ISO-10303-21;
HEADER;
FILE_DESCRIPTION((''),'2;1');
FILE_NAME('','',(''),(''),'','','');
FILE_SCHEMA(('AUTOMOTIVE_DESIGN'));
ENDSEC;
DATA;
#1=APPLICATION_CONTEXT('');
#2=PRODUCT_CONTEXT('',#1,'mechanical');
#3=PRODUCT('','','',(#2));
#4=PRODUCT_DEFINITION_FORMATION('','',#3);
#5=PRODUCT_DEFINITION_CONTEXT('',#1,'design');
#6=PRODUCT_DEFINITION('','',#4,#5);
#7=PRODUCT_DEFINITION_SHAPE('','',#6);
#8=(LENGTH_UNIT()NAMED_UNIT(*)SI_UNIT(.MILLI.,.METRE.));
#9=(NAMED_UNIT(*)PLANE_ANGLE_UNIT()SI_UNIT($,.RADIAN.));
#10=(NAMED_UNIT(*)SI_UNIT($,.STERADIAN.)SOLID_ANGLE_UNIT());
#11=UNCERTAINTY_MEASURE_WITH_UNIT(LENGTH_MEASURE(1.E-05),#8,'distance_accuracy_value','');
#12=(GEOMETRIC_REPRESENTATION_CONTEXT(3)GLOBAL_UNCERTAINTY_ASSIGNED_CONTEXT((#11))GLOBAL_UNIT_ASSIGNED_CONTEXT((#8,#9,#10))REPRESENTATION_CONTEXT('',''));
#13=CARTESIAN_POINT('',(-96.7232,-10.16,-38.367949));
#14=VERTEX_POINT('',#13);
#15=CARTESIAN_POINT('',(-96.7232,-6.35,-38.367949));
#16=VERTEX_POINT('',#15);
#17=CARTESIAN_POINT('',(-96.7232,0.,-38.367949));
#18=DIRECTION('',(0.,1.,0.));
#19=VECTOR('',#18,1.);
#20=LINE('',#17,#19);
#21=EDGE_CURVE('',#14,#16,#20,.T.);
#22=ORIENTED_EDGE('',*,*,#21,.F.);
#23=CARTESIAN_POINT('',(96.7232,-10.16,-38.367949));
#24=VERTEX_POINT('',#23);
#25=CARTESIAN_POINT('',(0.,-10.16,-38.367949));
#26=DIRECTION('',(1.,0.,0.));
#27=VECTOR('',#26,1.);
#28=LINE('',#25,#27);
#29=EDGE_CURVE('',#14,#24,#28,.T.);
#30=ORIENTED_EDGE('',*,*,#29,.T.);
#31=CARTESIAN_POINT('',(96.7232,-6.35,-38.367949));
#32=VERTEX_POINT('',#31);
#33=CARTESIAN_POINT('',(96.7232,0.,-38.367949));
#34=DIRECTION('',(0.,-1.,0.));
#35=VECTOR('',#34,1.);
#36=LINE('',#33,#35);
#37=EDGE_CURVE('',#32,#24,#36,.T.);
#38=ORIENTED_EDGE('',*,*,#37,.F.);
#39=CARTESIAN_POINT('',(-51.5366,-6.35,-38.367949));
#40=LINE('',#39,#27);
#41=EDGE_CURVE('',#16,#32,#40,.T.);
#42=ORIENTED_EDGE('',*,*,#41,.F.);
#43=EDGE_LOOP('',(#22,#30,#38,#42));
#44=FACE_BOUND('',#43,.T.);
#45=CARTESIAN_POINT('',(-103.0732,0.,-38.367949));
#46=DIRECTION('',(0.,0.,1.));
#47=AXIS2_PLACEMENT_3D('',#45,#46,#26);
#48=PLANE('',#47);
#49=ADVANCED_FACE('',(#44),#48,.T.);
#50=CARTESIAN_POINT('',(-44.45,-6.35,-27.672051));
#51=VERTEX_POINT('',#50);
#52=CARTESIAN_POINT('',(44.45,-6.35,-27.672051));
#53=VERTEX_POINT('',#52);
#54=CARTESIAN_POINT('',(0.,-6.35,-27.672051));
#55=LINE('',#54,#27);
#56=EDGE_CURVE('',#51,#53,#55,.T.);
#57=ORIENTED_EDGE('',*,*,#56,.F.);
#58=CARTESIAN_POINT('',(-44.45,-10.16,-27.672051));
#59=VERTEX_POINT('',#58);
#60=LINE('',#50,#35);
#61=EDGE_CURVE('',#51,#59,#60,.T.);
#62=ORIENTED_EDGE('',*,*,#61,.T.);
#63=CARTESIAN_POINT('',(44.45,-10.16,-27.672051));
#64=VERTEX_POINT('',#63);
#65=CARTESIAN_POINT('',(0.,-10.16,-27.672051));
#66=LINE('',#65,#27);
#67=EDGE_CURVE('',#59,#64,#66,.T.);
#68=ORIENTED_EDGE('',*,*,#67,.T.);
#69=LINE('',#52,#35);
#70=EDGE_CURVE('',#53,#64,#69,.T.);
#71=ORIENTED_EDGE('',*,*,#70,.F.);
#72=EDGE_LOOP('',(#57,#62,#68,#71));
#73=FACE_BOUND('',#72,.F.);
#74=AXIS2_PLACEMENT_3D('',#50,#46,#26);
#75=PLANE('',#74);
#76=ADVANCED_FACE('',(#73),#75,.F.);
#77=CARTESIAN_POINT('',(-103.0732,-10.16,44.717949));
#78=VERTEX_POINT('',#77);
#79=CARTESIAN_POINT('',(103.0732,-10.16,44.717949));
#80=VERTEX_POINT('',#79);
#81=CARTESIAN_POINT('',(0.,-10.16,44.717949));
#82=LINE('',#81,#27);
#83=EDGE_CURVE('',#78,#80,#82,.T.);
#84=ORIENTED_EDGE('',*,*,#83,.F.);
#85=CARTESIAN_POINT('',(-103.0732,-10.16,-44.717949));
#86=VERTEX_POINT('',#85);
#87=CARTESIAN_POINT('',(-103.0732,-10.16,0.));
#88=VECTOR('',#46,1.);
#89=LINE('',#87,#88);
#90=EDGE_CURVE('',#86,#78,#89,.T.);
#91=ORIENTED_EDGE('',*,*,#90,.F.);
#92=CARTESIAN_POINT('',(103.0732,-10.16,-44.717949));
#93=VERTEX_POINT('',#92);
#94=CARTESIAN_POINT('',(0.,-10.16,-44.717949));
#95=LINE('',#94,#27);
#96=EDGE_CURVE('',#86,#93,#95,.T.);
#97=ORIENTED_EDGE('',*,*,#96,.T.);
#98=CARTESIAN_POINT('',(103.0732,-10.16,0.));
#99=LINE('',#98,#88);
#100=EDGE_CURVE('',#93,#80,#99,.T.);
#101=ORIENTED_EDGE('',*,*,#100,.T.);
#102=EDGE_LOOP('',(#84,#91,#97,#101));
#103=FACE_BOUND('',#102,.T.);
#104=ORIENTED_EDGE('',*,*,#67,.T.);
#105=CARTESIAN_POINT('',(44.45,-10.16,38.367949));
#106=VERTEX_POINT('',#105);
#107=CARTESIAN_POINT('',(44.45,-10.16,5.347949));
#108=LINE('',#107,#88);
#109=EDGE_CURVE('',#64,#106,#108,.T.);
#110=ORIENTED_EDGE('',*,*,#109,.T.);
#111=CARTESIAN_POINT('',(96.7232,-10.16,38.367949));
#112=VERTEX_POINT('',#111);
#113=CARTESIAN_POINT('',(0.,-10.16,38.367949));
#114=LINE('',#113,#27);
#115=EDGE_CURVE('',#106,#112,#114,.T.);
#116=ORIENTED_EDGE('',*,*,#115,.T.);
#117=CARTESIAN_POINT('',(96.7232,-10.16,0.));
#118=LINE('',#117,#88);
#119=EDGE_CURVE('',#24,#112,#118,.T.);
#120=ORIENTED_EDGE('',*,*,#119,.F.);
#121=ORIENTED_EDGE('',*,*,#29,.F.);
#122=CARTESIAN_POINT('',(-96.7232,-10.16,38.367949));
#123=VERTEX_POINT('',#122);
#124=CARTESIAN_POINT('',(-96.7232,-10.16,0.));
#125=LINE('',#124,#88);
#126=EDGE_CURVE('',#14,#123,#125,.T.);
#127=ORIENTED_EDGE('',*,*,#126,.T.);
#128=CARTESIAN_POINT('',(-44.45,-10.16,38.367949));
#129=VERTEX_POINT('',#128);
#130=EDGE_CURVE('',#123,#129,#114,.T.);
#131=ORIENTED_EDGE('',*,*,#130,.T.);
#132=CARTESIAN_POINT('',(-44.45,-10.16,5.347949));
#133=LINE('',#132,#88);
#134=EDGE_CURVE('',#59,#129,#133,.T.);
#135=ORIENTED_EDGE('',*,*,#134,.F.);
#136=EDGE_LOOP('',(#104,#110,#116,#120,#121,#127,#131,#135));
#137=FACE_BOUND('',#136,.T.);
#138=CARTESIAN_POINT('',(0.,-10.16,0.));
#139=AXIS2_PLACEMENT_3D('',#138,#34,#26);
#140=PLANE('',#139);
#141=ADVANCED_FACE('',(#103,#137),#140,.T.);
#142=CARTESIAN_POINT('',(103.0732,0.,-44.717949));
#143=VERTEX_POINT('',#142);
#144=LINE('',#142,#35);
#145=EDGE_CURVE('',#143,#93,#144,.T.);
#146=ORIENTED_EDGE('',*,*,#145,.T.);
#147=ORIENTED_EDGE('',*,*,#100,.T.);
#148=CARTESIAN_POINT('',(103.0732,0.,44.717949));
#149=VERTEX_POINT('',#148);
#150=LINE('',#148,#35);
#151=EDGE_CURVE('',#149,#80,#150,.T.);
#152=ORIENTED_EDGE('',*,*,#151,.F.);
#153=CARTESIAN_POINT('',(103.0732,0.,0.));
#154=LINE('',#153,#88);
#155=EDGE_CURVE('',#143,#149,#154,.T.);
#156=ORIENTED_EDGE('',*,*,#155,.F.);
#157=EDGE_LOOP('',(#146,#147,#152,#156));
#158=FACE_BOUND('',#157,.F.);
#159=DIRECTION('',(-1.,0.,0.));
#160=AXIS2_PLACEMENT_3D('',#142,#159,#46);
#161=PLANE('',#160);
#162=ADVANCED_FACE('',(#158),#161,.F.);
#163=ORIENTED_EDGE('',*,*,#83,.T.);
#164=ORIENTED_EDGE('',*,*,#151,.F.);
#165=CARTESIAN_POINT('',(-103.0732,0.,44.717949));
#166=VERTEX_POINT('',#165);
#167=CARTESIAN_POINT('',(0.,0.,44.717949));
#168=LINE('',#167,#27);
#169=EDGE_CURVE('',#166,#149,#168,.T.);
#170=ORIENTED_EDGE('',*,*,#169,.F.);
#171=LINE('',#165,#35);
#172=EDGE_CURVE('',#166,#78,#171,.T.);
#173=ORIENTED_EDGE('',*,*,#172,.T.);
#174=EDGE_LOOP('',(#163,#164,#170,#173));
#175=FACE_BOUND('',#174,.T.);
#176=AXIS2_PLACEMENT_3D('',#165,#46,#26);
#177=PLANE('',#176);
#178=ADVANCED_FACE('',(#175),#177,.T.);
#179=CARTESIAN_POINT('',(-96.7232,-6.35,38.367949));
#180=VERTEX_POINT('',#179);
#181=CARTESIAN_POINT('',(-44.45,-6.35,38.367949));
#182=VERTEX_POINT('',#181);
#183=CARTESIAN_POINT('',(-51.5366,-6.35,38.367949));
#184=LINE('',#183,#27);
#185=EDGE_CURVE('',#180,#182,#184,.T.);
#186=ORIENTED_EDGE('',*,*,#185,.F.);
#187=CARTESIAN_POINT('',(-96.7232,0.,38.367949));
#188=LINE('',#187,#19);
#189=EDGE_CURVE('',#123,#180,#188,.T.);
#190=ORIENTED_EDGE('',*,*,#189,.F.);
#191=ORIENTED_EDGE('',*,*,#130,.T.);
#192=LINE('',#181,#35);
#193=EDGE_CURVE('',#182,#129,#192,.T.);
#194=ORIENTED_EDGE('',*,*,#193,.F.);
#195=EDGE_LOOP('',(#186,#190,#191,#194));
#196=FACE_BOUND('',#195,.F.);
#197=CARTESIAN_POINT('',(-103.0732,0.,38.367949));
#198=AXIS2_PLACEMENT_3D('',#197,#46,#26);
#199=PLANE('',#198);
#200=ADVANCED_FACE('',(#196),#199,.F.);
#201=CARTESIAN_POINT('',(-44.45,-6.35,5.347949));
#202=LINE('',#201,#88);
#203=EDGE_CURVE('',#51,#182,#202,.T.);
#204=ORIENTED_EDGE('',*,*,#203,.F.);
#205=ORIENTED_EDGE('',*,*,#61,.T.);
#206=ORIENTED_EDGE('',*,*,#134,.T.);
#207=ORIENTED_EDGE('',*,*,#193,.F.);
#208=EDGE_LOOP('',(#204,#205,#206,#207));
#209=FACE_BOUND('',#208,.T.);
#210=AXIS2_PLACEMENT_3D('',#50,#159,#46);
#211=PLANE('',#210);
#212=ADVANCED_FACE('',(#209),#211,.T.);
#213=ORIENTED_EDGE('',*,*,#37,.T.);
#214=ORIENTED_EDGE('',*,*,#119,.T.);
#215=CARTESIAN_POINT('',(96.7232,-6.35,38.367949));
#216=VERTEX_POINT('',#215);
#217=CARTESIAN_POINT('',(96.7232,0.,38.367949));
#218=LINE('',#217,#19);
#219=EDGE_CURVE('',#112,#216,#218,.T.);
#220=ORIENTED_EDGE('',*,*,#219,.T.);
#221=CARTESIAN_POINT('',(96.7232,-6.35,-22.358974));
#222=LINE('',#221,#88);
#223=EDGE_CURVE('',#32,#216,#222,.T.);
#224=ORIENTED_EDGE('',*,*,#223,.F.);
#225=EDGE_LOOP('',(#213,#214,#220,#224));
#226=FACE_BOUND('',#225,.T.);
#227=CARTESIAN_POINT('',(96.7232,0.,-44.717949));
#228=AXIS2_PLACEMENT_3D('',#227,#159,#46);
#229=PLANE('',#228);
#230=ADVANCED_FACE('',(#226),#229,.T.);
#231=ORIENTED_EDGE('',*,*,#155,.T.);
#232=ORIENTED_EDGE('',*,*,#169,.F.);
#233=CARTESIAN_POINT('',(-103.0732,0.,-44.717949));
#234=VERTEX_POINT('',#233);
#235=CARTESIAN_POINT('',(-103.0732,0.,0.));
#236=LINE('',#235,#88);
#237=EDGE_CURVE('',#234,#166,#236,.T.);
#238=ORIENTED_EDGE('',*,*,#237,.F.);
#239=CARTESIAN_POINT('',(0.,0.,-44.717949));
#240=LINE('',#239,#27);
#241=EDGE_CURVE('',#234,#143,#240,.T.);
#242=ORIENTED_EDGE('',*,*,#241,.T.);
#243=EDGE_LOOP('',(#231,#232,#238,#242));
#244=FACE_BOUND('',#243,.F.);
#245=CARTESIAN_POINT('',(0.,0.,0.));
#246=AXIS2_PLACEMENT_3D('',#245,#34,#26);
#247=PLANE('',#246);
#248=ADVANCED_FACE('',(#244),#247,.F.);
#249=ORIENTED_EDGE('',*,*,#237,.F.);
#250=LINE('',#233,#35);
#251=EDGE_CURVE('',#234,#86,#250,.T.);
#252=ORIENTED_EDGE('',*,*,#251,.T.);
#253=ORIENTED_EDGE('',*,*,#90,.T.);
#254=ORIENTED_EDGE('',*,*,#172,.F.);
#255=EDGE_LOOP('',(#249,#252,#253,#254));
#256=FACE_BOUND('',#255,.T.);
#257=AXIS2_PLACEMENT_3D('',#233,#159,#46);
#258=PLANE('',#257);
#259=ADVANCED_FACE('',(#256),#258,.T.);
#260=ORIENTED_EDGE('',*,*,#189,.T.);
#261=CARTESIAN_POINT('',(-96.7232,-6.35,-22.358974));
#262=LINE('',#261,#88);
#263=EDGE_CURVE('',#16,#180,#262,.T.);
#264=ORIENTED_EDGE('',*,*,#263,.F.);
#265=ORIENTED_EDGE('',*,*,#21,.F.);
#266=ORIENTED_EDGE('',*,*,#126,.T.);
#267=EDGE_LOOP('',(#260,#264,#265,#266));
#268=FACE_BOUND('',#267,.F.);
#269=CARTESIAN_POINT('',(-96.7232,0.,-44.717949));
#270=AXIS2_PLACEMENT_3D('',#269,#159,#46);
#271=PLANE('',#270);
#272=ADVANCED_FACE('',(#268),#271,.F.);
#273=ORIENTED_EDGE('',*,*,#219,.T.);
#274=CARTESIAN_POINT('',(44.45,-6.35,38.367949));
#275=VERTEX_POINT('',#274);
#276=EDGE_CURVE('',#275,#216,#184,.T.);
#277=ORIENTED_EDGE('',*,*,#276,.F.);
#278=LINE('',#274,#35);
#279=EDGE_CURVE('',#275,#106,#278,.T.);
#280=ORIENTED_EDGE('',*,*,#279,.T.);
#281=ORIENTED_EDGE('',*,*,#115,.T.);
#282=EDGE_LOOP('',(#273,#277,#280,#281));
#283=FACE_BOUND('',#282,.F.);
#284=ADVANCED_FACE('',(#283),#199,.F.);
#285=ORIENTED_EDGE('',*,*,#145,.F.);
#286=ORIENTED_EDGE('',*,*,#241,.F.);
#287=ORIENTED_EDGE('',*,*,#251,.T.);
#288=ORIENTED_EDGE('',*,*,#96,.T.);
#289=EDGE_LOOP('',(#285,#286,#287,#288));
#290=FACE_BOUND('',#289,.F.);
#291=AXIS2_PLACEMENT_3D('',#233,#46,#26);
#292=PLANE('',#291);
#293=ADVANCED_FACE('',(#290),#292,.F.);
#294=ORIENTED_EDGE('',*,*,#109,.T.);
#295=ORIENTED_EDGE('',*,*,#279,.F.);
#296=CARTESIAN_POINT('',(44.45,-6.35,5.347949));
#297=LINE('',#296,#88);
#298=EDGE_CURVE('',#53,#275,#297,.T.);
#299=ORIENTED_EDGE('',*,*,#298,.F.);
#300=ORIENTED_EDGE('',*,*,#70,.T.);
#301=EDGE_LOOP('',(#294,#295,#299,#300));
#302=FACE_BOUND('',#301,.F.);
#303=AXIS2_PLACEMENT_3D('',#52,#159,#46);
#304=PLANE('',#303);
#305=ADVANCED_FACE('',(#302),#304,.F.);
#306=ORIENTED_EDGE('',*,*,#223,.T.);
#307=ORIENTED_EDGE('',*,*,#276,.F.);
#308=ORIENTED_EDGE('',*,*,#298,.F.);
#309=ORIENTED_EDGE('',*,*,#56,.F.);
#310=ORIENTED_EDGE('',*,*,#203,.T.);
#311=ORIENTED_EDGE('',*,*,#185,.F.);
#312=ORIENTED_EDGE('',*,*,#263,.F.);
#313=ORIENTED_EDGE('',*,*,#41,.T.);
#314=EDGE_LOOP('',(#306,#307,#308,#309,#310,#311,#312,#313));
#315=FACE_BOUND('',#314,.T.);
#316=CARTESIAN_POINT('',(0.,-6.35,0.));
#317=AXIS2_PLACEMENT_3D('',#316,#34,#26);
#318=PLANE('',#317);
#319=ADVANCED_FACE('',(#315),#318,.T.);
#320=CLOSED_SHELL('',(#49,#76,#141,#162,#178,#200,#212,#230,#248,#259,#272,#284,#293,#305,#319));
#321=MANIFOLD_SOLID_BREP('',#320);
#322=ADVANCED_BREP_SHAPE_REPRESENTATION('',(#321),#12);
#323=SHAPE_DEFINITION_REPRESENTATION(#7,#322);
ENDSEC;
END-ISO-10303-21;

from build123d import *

# Parameters (mm, degrees)
F0_W     = 206.1464
F0_H     = 89.435898
F1_DEPTH = 10.16
F2_T     = -6.35
F3_W     = 88.9
F3_H     = 66.04
F4_DEPTH = 3.81


with BuildPart() as f1:
    # F0 (on Front) → F1 (new body)
    with BuildSketch(Plane.XZ):
        Rectangle(F0_W, F0_H)
    extrude(amount=F1_DEPTH)

    # F2
    f2_openings = [f1.faces().sort_by_distance(p)[0] for p in [
        (0, -10.16, 0),
    ]]
    offset(amount=F2_T, openings=f2_openings)

    # F3 (on face) → F4 (join, through all)
    with BuildSketch(Plane.XZ.offset(6.35)):
        with Locations((0, 5.347949)):
            Rectangle(F3_W, F3_H)
    extrude(amount=F4_DEPTH)


solid = f1.part
